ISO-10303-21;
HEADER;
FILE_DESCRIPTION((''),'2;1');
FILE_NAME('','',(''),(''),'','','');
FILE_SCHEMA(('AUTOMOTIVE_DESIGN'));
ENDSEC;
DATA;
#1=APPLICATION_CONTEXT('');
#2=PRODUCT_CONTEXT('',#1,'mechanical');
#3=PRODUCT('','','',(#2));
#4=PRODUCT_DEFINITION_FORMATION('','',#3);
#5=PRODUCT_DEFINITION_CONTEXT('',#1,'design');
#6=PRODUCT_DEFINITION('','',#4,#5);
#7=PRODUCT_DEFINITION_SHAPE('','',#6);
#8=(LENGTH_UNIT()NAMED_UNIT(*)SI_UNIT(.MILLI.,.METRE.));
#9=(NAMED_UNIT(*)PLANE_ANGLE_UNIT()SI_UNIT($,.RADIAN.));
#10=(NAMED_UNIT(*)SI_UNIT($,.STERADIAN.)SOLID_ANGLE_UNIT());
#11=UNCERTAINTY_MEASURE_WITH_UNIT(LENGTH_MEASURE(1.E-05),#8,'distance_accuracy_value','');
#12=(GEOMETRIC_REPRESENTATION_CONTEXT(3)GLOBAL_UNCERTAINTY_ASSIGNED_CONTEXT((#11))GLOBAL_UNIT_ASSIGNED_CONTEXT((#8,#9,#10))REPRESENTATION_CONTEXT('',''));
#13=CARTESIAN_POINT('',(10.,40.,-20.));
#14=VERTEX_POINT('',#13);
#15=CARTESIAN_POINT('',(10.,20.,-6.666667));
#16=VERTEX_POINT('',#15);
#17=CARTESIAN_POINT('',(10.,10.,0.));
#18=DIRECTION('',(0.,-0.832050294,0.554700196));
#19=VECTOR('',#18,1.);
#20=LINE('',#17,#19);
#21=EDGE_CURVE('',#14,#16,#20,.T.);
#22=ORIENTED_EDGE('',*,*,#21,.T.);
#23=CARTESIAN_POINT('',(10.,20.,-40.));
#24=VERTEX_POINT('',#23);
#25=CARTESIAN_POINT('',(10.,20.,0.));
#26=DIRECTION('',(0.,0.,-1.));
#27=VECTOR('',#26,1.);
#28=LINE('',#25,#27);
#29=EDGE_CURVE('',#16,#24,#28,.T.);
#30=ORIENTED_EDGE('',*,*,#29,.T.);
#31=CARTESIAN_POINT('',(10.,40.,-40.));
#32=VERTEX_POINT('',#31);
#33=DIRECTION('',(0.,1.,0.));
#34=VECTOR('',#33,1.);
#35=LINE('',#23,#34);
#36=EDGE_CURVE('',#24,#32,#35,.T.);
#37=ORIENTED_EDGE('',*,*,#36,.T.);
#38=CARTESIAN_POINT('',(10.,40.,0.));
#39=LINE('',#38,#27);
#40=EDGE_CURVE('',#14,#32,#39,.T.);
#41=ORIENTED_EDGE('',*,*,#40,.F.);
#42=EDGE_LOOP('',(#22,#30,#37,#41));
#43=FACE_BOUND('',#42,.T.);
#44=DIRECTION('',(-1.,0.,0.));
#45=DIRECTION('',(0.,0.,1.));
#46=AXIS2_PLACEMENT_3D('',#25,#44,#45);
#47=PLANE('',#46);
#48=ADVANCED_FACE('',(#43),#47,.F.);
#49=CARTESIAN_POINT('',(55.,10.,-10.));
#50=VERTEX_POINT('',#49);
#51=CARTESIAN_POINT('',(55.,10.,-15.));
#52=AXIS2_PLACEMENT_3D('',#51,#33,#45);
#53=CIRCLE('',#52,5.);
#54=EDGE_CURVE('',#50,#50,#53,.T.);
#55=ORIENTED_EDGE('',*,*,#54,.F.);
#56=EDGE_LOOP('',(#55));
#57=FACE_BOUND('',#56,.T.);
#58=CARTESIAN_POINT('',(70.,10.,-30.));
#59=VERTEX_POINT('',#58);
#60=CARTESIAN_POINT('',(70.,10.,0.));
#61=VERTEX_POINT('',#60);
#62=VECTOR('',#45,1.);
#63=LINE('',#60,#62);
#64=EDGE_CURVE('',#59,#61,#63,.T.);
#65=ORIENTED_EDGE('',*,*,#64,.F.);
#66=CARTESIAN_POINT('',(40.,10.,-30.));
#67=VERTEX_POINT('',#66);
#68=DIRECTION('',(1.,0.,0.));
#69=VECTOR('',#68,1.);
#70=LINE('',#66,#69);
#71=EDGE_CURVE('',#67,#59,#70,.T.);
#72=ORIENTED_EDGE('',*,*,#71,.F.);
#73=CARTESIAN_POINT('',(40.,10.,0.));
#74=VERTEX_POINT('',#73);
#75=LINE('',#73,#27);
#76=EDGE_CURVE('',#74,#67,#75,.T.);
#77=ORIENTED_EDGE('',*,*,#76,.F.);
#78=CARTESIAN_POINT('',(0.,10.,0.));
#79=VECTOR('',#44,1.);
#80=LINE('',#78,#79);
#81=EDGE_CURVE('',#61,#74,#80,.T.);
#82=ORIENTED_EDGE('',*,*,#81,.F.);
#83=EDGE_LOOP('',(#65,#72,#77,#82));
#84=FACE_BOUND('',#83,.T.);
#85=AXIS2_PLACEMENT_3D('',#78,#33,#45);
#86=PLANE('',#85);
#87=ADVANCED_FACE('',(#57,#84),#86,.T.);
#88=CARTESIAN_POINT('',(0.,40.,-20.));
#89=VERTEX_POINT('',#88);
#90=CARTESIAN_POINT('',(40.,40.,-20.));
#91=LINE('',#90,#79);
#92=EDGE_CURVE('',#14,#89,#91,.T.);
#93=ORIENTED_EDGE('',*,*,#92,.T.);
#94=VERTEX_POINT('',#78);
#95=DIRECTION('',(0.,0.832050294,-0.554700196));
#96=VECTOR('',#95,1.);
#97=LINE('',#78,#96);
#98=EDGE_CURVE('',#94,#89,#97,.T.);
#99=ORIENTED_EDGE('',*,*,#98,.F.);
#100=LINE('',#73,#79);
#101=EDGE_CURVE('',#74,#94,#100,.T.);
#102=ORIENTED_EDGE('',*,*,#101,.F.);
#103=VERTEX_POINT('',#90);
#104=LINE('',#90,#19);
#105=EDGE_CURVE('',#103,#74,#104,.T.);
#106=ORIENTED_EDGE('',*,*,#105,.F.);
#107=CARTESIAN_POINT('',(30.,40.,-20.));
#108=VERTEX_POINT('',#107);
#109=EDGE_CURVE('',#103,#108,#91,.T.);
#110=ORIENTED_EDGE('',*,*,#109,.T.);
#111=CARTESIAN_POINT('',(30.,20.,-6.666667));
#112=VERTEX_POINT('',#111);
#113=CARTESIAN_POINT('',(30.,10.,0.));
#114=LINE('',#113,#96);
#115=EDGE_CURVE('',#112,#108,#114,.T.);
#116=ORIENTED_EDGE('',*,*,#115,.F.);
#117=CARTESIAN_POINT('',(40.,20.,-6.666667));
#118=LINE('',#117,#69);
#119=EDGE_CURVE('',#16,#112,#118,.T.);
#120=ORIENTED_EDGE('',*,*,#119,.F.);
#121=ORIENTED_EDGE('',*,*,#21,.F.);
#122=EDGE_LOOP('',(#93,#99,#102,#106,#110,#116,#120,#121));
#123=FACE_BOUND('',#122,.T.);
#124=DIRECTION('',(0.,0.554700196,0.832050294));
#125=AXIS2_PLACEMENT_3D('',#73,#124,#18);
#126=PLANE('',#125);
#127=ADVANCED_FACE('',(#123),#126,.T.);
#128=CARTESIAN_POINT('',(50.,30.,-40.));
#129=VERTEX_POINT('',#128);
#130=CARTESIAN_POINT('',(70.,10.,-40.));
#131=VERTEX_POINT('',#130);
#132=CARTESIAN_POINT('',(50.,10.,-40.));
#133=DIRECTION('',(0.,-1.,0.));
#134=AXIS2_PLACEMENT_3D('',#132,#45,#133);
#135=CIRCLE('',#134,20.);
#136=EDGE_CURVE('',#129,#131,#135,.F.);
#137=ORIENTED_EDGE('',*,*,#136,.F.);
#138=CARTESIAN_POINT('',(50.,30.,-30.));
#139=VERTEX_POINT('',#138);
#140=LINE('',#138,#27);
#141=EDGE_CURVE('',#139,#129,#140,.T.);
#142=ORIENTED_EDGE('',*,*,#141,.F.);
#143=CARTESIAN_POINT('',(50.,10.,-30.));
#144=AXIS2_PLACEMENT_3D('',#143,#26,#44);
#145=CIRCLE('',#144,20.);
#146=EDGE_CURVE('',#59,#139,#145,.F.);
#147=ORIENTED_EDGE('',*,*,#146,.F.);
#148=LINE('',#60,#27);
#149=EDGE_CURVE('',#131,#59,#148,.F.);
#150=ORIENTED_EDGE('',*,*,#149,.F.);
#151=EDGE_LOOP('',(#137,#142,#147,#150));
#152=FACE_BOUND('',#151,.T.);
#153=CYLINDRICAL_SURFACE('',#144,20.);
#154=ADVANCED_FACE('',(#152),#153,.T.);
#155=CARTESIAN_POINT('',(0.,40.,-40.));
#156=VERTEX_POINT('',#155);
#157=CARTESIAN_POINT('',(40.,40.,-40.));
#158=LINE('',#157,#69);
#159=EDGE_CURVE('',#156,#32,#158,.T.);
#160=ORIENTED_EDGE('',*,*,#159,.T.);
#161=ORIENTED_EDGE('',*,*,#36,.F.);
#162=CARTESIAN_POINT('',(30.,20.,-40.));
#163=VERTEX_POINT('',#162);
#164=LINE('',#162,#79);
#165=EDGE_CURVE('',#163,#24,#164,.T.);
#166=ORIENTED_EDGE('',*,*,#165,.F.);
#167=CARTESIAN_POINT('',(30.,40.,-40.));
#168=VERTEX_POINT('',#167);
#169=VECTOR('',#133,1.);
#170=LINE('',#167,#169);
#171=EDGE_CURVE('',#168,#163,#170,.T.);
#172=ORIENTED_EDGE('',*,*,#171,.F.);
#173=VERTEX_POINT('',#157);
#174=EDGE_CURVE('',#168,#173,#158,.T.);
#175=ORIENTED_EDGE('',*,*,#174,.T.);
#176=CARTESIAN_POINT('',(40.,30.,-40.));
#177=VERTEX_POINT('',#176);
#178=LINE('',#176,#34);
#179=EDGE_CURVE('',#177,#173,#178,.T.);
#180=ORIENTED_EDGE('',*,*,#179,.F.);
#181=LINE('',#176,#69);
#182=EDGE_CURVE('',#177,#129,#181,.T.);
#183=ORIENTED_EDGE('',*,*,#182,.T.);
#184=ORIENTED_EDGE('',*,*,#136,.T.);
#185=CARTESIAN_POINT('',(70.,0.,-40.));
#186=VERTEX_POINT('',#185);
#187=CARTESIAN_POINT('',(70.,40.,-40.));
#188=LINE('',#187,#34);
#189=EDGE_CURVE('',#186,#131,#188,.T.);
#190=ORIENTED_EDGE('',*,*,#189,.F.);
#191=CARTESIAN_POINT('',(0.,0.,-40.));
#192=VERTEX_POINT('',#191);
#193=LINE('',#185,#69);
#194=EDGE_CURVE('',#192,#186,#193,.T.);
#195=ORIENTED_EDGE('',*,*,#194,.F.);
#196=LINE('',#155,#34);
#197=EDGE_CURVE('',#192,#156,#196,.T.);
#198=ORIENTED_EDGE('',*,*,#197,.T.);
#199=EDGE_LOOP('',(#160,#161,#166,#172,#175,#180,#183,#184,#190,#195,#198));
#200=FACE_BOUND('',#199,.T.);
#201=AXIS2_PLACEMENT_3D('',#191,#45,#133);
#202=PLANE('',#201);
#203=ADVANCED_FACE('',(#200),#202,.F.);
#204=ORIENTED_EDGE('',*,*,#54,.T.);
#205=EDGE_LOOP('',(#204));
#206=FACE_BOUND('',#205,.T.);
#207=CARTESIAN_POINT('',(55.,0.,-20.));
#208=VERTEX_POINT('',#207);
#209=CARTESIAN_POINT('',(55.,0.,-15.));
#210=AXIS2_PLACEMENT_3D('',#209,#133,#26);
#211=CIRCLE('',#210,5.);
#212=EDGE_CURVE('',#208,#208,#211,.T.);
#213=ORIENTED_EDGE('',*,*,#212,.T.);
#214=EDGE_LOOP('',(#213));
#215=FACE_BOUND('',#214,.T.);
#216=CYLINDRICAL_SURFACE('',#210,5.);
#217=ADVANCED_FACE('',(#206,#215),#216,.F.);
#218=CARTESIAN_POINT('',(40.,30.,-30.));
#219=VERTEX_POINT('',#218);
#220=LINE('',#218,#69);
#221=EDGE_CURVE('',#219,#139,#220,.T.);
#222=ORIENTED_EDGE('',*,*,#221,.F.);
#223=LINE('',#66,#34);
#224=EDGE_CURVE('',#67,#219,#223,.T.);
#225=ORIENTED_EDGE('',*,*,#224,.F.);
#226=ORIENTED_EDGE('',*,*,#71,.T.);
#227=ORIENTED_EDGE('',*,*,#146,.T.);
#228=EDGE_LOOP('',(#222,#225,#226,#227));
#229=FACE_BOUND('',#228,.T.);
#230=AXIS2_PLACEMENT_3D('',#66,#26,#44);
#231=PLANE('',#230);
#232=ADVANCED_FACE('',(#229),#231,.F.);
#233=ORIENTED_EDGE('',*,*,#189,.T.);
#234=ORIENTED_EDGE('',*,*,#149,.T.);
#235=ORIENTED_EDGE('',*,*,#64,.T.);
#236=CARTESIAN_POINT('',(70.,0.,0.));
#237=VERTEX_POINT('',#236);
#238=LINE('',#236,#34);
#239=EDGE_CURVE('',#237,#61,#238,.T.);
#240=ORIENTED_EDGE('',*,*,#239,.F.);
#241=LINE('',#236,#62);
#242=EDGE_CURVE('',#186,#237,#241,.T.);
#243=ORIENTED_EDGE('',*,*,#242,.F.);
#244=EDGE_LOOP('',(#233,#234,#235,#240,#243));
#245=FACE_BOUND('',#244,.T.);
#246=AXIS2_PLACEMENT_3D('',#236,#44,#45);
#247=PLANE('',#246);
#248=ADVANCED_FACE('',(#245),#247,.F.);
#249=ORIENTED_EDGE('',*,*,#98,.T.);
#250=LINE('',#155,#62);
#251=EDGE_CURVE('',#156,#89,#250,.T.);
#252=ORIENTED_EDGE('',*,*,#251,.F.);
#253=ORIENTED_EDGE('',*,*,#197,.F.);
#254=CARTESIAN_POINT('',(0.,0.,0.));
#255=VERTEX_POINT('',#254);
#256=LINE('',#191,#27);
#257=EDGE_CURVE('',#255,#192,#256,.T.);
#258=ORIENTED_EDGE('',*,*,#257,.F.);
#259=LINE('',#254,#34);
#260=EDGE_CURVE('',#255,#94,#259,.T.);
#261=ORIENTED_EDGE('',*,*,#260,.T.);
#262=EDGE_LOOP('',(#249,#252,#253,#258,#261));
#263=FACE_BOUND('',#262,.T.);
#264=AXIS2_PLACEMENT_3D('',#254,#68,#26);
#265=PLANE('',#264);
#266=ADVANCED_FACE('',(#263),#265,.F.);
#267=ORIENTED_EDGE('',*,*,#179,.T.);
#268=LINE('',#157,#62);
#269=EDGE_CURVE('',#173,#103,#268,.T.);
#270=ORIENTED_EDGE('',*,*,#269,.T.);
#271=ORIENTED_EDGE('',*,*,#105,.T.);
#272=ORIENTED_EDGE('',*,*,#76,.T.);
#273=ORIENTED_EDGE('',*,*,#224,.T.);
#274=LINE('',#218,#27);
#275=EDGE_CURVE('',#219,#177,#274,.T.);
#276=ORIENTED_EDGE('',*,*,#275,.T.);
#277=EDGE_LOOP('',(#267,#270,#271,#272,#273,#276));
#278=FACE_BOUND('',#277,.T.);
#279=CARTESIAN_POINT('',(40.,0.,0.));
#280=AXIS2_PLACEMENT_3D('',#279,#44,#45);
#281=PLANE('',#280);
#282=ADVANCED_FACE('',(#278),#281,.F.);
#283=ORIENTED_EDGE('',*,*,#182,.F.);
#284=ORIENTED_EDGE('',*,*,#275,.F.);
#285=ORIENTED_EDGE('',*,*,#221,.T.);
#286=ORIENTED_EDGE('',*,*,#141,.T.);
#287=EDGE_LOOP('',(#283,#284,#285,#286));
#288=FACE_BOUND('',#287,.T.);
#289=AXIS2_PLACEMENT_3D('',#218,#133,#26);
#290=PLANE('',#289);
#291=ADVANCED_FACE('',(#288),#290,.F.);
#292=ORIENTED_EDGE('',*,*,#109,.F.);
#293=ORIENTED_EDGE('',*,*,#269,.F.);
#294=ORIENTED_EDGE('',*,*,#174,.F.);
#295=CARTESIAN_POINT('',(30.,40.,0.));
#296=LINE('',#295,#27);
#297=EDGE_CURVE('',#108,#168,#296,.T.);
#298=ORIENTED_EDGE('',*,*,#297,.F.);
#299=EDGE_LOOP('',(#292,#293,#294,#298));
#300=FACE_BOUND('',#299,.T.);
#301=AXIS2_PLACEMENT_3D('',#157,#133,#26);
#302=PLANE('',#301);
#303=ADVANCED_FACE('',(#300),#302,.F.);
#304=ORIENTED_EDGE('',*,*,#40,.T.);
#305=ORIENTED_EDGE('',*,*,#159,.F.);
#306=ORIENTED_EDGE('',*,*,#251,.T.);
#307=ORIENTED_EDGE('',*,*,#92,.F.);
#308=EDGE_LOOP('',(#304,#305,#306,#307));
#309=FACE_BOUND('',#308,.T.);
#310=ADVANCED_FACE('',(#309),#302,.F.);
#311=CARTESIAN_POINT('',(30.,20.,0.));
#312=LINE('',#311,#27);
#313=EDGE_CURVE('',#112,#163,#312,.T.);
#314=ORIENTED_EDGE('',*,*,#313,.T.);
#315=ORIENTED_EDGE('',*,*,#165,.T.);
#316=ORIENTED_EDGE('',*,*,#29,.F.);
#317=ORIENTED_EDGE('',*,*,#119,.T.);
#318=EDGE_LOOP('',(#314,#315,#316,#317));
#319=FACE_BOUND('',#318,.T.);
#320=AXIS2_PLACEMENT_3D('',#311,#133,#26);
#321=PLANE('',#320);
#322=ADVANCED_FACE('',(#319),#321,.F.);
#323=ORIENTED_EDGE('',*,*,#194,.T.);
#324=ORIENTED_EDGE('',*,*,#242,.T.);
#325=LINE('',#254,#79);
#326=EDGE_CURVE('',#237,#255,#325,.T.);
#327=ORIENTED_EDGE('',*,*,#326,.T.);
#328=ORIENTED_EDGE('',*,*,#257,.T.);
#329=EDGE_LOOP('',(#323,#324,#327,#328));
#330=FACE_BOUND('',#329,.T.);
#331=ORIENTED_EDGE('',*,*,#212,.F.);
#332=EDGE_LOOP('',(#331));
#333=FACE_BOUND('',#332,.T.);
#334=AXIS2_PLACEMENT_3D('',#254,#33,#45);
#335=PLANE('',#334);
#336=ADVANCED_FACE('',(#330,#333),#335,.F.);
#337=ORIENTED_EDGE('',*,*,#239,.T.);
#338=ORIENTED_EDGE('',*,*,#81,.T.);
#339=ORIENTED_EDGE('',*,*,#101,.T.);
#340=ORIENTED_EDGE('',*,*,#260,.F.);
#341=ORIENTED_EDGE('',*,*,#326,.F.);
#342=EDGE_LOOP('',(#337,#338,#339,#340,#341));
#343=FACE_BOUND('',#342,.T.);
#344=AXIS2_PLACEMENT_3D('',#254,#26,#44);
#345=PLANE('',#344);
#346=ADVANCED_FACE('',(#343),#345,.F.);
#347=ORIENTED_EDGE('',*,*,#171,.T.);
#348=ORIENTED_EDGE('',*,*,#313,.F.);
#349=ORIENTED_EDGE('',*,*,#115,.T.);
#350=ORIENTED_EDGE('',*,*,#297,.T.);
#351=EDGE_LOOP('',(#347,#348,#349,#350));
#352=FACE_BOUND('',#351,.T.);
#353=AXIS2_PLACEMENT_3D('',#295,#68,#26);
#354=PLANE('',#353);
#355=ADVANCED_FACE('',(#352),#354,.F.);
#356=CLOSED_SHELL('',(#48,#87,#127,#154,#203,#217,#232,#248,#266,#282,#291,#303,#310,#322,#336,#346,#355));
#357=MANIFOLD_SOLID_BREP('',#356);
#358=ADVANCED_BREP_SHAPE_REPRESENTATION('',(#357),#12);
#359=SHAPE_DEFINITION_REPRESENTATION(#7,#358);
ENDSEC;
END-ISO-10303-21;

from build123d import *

# Parameters (mm, degrees)
BOSS_EXTRUDE1_DEPTH            = 40
SKETCH2_W                      = 40
SKETCH2_H                      = 30
BOSS_EXTRUDE2_DEPTH            = 20
BOSS_EXTRUDE3_DEPTH            = 30
CUT_EXTRUDE1_DEPTH             = 30
SKETCH5_W                      = 70
SKETCH5_H                      = 40
BOSS_EXTRUDE4_DEPTH            = 10
SKETCH6_W                      = 20
SKETCH6_H                      = 20
CUT_EXTRUDE2_DEPTH             = 41
F_10_0_10_DIAMETER_HOLE1_D     = 10
F_10_0_10_DIAMETER_HOLE1_DEPTH = 40
FILLET1_R                      = 20


with BuildPart() as part:
    # Sketch1 → Boss-Extrude1 (new body)
    with BuildSketch(Plane(origin=(0, 0, 0), x_dir=(0, -1, 0), z_dir=(-1, 0, 0))):
        Polygon((-10, 0), (-40, -20), (-10, -20), align=None)
    extrude(amount=-BOSS_EXTRUDE1_DEPTH)

    # Sketch2 → Boss-Extrude2 (add)
    with BuildSketch(Plane(origin=(0, 0, -20), x_dir=(-1, 0, 0), z_dir=(0, 0, -1))):
        with Locations((-20, 25)):
            Rectangle(SKETCH2_W, SKETCH2_H)
    extrude(amount=BOSS_EXTRUDE2_DEPTH)

    # Sketch3 → Boss-Extrude3 (add)
    with BuildSketch(Plane(origin=(40, 0, 0), x_dir=(0, 0, -1), z_dir=(1, 0, 0))):
        Polygon((40, 10), (0, 10), (20, 40), (40, 40), align=None)
    extrude(amount=BOSS_EXTRUDE3_DEPTH)

    # Sketch4 → Cut-Extrude1 (cut)
    with BuildSketch(Plane(origin=(70, 0, 0), x_dir=(0, 0, -1), z_dir=(1, 0, 0))):
        Polygon((20, 40), (0, 10), (30, 10), (30, 30), (40, 30), (40, 40), align=None)
    extrude(amount=-CUT_EXTRUDE1_DEPTH, mode=Mode.SUBTRACT)

    # Sketch5 → Boss-Extrude4 (add)
    with BuildSketch(Plane.XZ.offset(-10)):
        with Locations((35, -20)):
            Rectangle(SKETCH5_W, SKETCH5_H)
    extrude(amount=BOSS_EXTRUDE4_DEPTH)

    # Sketch6 → Cut-Extrude2 (cut, through all)
    with BuildSketch(Plane(origin=(0, 0, -40), x_dir=(-1, 0, 0), z_dir=(0, 0, -1))):
        with Locations((-20, 30)):
            Rectangle(SKETCH6_W, SKETCH6_H)
    extrude(amount=-CUT_EXTRUDE2_DEPTH, mode=Mode.SUBTRACT)

    # Ø10.0 (10) Diameter Hole1
    with Locations(Plane(origin=(0, 0, 0), x_dir=(-1, 0, 0), z_dir=(0, -1, 0))):
        with Locations((-55, 15)):
            Hole(F_10_0_10_DIAMETER_HOLE1_D / 2, depth=F_10_0_10_DIAMETER_HOLE1_DEPTH)

    # Fillet1
    fillet1_edges = [part.edges().sort_by_distance(p)[0] for p in [
        (70, 30, -35),
    ]]
    fillet(fillet1_edges, radius=FILLET1_R)


solid = part.part
